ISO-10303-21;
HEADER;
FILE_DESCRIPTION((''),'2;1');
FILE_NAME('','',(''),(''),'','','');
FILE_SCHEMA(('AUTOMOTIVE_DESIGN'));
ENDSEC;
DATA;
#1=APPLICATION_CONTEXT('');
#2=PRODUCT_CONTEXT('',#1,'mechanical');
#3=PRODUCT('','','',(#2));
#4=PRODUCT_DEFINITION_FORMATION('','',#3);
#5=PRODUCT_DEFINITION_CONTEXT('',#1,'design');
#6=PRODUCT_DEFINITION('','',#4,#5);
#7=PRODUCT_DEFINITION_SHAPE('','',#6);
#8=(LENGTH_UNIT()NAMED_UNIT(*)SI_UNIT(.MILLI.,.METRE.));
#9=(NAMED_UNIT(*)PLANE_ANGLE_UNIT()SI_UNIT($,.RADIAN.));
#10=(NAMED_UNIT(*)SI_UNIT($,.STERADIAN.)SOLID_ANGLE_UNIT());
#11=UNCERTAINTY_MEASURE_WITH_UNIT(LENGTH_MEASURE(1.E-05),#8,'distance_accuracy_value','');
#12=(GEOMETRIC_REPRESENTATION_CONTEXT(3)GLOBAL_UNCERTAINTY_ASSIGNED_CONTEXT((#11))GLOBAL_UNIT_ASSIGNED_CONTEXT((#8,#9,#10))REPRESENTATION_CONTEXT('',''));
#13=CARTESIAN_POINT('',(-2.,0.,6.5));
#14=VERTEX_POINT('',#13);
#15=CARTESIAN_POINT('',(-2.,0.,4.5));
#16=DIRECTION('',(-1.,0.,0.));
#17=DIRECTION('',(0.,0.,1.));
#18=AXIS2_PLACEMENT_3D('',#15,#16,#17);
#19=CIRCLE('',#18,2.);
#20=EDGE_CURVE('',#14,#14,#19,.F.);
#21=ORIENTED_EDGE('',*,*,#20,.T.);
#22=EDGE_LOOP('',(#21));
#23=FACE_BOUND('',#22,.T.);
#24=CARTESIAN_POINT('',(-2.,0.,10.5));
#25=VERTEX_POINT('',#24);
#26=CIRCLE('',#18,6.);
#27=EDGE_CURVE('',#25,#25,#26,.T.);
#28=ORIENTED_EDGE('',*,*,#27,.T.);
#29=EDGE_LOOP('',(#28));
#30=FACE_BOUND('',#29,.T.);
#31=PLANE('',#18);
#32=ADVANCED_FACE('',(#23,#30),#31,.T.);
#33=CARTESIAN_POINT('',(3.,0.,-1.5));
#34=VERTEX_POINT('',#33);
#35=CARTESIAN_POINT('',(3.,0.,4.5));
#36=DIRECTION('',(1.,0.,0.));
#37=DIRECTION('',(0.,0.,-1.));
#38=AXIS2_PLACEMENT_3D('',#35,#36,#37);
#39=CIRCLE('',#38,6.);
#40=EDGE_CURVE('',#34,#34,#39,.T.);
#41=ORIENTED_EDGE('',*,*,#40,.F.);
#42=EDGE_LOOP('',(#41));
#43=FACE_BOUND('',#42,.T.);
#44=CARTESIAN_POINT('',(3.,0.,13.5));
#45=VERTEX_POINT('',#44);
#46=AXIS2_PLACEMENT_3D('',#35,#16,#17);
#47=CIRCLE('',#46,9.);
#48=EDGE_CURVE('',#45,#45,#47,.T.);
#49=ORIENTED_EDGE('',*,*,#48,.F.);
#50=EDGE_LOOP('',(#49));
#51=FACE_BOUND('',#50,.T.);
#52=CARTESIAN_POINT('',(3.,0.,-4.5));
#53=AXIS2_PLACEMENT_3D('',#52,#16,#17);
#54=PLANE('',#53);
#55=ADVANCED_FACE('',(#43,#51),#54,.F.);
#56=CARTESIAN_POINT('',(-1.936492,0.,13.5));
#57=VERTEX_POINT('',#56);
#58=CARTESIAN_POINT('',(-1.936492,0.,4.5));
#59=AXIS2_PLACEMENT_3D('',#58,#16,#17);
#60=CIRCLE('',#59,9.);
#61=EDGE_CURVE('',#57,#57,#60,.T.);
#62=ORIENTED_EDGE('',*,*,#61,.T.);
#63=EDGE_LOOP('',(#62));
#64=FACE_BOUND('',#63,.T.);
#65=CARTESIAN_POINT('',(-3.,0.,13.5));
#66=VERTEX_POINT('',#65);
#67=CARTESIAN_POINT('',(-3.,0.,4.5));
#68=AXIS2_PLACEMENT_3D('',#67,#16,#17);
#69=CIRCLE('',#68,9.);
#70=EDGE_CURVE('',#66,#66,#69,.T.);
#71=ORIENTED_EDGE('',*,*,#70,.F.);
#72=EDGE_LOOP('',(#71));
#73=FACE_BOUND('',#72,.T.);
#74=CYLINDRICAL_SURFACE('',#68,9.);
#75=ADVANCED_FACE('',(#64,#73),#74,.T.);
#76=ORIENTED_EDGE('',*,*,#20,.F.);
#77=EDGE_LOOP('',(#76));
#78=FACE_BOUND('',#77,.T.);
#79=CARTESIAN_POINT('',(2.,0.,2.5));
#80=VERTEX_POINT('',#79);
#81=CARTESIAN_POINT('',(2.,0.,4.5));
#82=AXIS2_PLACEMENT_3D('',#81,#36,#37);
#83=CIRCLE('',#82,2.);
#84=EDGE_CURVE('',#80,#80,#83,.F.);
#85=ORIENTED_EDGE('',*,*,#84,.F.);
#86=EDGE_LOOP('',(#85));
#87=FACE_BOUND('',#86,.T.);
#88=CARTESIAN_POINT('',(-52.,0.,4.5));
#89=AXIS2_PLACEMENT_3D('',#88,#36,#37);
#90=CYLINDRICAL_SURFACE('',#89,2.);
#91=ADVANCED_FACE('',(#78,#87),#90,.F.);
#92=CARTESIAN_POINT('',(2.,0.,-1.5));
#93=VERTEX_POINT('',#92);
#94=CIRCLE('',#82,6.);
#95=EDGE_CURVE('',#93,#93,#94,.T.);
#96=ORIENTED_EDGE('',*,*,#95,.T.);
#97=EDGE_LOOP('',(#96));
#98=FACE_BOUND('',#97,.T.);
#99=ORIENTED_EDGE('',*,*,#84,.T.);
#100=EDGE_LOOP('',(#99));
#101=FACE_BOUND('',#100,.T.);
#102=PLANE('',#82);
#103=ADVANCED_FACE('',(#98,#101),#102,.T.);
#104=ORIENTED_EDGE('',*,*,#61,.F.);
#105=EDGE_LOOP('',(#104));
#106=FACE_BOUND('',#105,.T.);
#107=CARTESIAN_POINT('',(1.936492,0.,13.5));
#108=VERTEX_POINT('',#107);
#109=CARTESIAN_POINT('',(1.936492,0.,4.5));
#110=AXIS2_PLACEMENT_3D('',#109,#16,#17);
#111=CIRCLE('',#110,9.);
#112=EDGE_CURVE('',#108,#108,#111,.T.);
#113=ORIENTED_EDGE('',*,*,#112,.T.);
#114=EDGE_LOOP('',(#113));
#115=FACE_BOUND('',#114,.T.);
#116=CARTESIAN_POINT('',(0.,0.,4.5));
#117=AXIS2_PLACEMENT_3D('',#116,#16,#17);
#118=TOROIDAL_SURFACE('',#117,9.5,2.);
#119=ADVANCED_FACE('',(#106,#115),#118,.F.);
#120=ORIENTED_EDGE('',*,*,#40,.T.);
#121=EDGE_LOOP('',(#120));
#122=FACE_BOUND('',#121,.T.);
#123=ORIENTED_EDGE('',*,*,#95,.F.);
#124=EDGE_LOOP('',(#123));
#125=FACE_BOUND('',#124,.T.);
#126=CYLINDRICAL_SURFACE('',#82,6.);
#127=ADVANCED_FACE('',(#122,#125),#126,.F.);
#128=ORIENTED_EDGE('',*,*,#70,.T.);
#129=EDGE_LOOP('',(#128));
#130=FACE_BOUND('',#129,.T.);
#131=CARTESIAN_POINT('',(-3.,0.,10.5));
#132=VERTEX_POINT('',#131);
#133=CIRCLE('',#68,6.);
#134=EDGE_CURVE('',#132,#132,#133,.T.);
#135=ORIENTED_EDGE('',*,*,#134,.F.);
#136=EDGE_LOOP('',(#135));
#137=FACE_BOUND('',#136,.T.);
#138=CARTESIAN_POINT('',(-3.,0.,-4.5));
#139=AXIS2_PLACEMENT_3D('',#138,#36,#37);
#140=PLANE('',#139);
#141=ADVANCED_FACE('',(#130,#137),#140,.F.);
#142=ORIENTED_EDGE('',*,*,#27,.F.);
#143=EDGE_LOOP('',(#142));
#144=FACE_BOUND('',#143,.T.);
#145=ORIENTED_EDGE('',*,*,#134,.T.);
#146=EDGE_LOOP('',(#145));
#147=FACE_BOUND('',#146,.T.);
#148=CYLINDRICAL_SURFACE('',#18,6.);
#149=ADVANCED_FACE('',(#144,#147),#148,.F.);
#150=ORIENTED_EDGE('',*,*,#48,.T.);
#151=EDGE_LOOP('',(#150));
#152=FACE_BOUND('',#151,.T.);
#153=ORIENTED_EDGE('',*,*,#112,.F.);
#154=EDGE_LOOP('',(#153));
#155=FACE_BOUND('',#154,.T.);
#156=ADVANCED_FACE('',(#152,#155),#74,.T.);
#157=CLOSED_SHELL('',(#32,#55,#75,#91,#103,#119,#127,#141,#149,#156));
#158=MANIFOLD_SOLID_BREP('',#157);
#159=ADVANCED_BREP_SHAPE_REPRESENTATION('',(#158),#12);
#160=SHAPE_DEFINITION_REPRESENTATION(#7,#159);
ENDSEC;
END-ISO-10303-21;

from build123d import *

# Parameters (mm, degrees)
SKETCH_2_R          = 2
CUT_EXTRUDE_1_DEPTH = 55
SKETCH_3_R          = 6
CUT_EXTRUDE_2_DEPTH = 1
CUT_EXTRUDE_START   = -1
SKETCH_4_R          = 6
CUT_EXTRUDE_3_DEPTH = 1


with BuildPart() as part:
    # 草图1 → 旋转1 (revolve)
    with BuildSketch(Plane(origin=(0, 0, 0), x_dir=(1, 0, 0), z_dir=(0, 1, 0)), mode=Mode.PRIVATE) as revolve_1_sk:
        with BuildLine():
            Line((-3, 4.5), (-3, -4.5))
            Line((-3, -4.5), (3, -4.5))
            Line((3, -4.5), (3, 4.5))
            Line((3, 4.5), (1.936491673, 4.5))
            ThreePointArc((1.936491673, 4.5), (0, 3), (-1.936491673, 4.5))
            Line((-1.936491673, 4.5), (-3, 4.5))
        make_face()
    revolve(revolve_1_sk.sketch.rotate(Axis((-3, 0, 4.5), (1, 0, 0)), 180), axis=Axis((-3, 0, 4.5), (1, 0, 0)))

    # 草图2 → 切除-拉伸1 (cut)
    with BuildSketch(Plane(origin=(3, 0, 0), x_dir=(0, 0, -1), z_dir=(1, 0, 0))):
        with Locations((-4.5, 0)):
            Circle(SKETCH_2_R)
    extrude(amount=-CUT_EXTRUDE_1_DEPTH, mode=Mode.SUBTRACT)

    # 草图3 → 切除-拉伸2 (cut)
    with BuildSketch(Plane(origin=(3, 0, 0), x_dir=(0, 0, -1), z_dir=(1, 0, 0))):
        with Locations((-4.5, 0)):
            Circle(SKETCH_3_R)
    extrude(amount=-CUT_EXTRUDE_2_DEPTH, mode=Mode.SUBTRACT)

    # 草图4 → 切除-拉伸3 (cut)
    with BuildSketch(Plane.ZY.offset(3).offset(CUT_EXTRUDE_START)):
        with Locations(Location((4.5, 0, 0), (0, 0, 180))):
            Circle(SKETCH_4_R)
    extrude(amount=CUT_EXTRUDE_3_DEPTH, mode=Mode.SUBTRACT)


solid = part.part
